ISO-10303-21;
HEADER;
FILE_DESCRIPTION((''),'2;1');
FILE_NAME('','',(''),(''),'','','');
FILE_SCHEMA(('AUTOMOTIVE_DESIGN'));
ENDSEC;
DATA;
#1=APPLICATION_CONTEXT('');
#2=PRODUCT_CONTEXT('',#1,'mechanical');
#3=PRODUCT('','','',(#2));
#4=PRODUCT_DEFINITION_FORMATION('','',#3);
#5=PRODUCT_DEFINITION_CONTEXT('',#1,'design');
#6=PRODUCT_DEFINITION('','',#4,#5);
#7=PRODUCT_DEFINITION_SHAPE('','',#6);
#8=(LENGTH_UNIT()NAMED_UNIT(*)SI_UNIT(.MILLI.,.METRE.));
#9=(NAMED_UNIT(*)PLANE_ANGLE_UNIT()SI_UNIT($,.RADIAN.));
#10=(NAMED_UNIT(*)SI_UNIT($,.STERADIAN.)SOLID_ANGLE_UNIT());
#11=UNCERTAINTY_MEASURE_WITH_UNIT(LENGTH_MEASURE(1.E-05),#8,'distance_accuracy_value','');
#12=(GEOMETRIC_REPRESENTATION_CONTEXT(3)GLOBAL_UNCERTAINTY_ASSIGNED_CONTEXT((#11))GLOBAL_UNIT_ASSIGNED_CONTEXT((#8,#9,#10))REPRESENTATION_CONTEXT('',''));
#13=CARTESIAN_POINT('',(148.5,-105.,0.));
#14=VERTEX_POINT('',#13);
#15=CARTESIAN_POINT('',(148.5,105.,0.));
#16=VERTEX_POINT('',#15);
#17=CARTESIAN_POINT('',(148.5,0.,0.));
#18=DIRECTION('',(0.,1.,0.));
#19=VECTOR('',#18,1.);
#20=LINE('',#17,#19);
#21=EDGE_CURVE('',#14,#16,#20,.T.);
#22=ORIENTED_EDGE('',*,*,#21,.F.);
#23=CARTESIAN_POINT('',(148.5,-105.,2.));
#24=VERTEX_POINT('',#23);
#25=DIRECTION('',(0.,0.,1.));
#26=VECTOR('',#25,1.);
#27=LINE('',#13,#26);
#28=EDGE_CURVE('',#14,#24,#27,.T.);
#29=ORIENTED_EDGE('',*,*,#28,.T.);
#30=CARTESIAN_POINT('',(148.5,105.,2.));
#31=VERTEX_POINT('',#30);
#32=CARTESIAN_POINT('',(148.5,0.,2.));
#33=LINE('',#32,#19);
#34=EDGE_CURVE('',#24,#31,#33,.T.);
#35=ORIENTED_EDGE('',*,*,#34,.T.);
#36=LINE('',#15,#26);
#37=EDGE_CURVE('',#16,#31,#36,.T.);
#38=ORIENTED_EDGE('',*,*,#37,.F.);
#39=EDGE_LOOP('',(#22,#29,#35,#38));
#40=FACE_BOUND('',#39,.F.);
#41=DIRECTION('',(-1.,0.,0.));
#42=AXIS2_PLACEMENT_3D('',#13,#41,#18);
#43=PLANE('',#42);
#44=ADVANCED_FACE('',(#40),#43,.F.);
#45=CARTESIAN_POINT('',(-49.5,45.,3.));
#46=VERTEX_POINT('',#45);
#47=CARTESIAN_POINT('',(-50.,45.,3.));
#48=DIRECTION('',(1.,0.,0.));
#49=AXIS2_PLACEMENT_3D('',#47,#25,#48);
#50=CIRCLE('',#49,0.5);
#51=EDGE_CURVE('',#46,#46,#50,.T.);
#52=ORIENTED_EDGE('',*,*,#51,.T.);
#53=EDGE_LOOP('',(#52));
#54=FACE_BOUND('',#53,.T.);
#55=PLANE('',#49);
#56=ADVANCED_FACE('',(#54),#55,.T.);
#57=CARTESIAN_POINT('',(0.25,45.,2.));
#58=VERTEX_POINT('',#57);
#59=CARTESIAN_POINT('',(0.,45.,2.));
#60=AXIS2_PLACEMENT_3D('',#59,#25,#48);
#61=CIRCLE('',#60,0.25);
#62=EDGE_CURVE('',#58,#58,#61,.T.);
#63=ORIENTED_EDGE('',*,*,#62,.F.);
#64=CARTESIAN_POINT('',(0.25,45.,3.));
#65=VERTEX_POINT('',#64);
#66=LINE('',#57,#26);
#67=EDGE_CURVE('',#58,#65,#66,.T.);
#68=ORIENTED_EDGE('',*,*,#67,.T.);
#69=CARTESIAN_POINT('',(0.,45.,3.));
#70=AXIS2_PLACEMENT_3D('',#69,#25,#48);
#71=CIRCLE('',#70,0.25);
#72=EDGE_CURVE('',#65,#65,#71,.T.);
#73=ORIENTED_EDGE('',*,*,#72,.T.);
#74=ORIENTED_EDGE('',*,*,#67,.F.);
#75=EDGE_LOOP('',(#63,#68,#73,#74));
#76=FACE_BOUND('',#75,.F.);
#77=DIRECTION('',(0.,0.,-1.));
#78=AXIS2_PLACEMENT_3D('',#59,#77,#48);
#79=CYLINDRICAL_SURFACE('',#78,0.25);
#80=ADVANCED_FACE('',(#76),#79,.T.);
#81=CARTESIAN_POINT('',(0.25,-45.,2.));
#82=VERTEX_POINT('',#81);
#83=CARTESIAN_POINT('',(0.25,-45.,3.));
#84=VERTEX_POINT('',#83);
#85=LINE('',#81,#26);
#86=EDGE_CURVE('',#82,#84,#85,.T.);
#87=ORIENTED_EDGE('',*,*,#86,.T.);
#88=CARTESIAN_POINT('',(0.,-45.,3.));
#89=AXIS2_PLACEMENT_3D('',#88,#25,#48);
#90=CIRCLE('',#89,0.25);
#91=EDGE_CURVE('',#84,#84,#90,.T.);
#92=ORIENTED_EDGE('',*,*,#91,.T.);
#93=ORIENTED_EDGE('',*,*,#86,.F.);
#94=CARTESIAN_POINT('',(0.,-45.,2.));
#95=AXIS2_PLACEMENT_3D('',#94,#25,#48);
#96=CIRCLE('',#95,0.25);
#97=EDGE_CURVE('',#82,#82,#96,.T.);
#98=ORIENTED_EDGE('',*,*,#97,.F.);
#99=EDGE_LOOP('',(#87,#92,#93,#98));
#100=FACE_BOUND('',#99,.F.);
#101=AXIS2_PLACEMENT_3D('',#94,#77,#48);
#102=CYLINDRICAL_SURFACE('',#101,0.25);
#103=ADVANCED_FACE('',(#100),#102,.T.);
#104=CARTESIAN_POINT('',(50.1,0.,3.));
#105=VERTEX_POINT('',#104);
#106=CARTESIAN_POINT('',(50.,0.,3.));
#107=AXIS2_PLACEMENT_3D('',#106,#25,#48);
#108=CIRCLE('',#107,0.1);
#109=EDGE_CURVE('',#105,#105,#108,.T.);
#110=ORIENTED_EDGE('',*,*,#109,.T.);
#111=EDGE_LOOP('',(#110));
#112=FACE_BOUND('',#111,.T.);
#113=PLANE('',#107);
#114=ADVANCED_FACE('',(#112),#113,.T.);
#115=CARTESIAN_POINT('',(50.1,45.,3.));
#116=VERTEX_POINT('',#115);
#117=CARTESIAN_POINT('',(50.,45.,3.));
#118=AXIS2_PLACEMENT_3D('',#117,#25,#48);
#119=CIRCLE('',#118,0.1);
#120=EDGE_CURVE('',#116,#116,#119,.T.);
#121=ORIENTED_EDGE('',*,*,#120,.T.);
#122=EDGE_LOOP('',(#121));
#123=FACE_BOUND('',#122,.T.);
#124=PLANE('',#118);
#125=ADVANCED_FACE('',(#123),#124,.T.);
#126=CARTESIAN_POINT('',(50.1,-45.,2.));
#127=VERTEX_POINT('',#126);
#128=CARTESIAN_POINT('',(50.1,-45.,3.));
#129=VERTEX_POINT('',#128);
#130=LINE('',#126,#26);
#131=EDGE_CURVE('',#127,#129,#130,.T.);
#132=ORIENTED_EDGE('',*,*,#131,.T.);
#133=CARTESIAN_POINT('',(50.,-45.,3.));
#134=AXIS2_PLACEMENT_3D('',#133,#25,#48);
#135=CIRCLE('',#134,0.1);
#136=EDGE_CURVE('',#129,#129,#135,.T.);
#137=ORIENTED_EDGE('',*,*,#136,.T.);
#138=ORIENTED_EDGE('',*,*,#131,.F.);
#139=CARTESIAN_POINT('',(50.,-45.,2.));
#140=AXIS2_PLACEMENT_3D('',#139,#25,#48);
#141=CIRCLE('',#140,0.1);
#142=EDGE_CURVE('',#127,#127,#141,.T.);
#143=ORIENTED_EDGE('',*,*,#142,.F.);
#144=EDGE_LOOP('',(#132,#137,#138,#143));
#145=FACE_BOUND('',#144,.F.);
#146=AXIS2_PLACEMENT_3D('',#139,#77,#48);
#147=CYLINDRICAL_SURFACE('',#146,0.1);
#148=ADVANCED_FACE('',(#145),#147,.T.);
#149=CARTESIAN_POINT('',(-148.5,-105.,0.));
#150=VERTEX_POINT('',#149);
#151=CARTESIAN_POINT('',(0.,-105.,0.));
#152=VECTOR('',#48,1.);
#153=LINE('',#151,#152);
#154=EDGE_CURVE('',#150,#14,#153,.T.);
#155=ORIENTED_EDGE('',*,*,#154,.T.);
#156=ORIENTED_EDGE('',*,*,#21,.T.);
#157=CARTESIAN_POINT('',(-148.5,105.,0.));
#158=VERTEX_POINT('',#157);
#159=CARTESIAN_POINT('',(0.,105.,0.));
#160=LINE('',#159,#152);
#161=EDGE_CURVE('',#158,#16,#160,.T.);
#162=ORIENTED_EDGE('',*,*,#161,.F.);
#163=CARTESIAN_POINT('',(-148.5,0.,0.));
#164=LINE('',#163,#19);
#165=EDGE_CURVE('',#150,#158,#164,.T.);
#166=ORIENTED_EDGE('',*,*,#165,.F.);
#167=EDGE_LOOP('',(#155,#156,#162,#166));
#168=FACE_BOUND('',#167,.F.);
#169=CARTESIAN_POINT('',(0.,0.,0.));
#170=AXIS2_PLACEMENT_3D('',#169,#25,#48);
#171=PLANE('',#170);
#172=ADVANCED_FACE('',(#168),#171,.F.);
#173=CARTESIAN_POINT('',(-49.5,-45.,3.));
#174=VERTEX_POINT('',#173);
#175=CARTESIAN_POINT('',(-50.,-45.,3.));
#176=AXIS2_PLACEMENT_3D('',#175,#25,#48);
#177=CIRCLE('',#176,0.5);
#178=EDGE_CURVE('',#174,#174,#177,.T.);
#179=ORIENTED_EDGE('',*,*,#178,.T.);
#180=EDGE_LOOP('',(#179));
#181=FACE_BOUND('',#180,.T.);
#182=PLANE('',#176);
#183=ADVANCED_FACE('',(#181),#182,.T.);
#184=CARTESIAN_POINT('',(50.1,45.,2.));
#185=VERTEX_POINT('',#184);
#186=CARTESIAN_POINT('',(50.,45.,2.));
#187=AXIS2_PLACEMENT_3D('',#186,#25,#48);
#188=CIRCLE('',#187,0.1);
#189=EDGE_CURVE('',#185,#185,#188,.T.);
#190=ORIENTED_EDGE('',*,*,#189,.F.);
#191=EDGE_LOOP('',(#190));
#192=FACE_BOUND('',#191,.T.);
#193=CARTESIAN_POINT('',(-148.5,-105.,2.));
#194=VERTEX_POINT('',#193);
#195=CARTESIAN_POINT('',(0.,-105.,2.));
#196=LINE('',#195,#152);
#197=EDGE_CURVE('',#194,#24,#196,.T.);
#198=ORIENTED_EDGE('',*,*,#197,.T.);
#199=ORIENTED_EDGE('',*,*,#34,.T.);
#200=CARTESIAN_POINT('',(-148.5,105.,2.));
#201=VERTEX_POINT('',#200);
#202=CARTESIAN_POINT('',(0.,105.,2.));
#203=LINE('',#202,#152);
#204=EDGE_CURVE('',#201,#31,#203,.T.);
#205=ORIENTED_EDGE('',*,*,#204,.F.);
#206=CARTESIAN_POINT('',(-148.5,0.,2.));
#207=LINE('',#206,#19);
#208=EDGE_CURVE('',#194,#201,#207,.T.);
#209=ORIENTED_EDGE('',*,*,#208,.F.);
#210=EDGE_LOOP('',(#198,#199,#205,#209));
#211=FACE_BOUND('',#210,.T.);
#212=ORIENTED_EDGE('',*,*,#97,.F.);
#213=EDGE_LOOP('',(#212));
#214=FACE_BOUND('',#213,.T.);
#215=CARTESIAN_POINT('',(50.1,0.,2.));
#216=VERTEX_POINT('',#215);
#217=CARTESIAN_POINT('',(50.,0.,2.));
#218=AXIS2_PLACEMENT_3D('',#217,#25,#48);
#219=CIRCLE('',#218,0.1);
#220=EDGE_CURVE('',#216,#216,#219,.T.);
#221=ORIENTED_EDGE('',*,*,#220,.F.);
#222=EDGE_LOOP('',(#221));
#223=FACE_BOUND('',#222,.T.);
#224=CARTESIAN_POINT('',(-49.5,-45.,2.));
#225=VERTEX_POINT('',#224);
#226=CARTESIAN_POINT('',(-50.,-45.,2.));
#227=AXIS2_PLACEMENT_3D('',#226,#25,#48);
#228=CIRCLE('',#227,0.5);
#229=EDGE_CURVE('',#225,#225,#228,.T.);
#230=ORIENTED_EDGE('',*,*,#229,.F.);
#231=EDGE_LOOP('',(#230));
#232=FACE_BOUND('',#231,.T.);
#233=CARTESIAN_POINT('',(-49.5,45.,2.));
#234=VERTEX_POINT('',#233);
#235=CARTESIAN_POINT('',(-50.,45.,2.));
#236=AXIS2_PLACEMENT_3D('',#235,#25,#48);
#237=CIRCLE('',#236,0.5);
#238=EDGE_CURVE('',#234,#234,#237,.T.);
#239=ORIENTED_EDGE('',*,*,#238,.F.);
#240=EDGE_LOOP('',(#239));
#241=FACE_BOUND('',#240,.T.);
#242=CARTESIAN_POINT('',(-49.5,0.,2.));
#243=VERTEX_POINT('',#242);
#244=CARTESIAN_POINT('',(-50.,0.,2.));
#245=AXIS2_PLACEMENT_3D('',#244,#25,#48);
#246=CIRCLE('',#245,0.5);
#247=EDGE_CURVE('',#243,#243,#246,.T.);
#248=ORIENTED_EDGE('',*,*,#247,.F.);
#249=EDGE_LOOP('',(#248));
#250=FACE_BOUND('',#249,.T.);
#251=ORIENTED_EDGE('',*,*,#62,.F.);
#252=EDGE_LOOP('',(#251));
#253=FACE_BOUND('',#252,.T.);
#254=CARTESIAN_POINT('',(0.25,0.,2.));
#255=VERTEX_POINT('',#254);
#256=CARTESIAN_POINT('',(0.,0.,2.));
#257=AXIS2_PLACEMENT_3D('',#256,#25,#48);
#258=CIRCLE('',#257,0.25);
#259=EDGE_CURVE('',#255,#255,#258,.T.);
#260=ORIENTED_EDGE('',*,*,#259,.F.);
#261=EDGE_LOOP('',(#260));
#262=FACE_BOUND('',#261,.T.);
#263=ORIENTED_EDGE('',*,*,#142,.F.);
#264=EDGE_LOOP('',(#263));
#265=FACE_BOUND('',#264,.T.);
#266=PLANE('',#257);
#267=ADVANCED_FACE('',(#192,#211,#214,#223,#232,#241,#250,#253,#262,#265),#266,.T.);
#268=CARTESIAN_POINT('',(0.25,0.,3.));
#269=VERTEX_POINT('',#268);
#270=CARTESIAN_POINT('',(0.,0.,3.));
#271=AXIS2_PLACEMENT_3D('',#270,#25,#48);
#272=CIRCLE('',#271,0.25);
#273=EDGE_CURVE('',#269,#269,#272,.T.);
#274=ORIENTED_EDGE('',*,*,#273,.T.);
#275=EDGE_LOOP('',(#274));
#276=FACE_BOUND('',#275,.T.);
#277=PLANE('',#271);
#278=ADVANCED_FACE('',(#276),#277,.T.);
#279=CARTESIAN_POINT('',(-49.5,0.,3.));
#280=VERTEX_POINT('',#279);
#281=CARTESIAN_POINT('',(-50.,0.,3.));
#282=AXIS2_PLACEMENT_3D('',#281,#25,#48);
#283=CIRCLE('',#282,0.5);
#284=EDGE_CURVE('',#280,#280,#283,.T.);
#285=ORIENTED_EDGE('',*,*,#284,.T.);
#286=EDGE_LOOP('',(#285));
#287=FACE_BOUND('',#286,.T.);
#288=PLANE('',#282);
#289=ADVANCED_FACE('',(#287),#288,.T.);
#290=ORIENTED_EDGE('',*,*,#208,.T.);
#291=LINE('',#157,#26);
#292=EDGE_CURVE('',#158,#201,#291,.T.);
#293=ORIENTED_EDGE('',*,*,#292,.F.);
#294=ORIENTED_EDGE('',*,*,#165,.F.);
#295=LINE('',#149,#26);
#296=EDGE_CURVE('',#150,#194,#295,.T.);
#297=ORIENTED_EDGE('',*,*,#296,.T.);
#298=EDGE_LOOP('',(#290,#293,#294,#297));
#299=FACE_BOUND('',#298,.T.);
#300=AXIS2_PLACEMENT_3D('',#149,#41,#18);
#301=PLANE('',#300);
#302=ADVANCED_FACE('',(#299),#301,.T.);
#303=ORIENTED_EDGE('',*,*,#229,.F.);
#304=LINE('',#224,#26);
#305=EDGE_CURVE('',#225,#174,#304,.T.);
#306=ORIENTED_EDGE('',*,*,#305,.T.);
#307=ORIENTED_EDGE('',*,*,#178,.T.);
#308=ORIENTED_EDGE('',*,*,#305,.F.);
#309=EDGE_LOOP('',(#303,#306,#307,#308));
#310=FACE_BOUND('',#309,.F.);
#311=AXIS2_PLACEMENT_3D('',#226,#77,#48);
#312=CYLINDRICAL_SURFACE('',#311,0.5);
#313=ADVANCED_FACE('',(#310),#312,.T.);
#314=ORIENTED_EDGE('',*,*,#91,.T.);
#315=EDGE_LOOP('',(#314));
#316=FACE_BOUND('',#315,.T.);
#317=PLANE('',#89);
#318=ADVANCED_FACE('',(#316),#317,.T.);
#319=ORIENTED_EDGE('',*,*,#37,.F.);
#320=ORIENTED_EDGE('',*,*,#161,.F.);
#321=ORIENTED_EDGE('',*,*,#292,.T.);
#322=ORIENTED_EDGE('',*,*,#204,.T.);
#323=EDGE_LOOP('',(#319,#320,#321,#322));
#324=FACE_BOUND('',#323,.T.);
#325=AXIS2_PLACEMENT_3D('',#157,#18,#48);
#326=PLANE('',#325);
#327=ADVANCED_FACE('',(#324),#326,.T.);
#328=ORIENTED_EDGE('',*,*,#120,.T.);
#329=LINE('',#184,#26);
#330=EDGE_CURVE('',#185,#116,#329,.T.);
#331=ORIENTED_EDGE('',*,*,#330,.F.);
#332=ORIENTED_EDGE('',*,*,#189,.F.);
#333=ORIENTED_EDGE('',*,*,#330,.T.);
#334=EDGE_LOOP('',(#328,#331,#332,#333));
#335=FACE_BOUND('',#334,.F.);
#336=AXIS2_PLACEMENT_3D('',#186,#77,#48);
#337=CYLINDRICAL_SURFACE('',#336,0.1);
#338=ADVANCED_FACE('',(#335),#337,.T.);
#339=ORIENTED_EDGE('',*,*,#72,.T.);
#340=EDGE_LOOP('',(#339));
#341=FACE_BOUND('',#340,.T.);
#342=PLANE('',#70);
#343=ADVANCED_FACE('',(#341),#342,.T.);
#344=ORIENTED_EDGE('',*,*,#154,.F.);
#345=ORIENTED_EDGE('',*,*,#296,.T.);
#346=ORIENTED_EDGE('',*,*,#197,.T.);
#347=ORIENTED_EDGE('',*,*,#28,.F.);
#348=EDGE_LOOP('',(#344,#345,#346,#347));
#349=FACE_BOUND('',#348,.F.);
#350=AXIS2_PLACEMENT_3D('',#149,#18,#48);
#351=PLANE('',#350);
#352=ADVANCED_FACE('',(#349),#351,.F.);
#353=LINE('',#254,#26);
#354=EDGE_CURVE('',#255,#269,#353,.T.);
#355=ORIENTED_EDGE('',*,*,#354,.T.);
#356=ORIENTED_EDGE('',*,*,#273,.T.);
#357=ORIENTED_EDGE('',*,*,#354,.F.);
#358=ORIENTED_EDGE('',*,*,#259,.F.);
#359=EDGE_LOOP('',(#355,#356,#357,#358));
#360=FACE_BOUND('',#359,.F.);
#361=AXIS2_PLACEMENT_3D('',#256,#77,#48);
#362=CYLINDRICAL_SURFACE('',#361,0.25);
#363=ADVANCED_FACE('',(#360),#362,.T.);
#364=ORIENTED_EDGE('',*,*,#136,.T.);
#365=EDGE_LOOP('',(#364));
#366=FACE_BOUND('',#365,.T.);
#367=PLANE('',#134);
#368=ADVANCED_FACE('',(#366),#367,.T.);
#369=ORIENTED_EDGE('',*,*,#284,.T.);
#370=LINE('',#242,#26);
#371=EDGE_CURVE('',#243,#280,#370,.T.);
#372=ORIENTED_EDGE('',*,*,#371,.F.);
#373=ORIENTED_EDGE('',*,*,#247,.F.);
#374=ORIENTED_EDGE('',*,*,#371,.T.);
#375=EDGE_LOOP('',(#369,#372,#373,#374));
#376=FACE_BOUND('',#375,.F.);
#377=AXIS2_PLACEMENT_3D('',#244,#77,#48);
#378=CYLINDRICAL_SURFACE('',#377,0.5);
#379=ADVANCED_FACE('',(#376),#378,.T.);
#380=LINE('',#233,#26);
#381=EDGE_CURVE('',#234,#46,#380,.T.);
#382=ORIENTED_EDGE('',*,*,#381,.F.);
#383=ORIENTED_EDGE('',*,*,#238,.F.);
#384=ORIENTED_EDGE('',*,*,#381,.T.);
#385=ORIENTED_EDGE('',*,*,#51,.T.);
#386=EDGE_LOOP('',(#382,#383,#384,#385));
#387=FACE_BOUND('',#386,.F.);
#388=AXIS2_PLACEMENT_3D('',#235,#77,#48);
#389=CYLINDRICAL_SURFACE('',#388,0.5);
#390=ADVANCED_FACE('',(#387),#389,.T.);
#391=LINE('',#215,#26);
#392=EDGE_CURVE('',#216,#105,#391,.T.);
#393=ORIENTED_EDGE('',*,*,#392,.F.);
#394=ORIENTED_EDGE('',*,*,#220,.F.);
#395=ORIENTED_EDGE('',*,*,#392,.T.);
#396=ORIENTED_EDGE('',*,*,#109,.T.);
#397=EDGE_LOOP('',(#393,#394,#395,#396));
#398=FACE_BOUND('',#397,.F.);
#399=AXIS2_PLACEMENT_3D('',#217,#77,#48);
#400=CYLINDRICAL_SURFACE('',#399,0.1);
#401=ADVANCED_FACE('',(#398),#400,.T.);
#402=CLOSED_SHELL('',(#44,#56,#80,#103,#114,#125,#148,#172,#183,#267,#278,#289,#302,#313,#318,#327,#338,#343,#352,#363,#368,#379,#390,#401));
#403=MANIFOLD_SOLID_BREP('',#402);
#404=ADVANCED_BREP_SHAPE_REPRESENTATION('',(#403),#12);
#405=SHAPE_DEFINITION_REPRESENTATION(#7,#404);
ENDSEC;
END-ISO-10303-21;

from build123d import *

# Parameters (mm, degrees)
F0_W     = 297
F0_H     = 210
F1_DEPTH = 2
F2_R     = 0.1
F3_DEPTH = 1
F4_R     = 0.25
F5_DEPTH = 1
F6_R     = 0.5
F7_DEPTH = 1


with BuildPart() as f1:
    # F0 (on Top) → F1 (new body)
    with BuildSketch(Plane.XY):
        Rectangle(F0_W, F0_H)
    extrude(amount=F1_DEPTH)

    # F2 (on face) → F3 (join)
    with BuildSketch(Plane.XY.offset(2)):
        with Locations((50, 45)):
            Circle(F2_R)
        with Locations((50, 0)):
            Circle(F2_R)
        with Locations((50, -45)):
            Circle(F2_R)
    extrude(amount=F3_DEPTH)

    # F4 (on face) → F5 (join)
    with BuildSketch(Plane.XY.offset(2)):
        with Locations((0, 45)):
            Circle(F4_R)
        Circle(F4_R)
        with Locations((0, -45)):
            Circle(F4_R)
    extrude(amount=F5_DEPTH)

    # F6 (on face) → F7 (join)
    with BuildSketch(Plane.XY.offset(2)):
        with Locations((-50, 45)):
            Circle(F6_R)
        with Locations((-50, 0)):
            Circle(F6_R)
        with Locations((-50, -45)):
            Circle(F6_R)
    extrude(amount=F7_DEPTH)


solid = f1.part
